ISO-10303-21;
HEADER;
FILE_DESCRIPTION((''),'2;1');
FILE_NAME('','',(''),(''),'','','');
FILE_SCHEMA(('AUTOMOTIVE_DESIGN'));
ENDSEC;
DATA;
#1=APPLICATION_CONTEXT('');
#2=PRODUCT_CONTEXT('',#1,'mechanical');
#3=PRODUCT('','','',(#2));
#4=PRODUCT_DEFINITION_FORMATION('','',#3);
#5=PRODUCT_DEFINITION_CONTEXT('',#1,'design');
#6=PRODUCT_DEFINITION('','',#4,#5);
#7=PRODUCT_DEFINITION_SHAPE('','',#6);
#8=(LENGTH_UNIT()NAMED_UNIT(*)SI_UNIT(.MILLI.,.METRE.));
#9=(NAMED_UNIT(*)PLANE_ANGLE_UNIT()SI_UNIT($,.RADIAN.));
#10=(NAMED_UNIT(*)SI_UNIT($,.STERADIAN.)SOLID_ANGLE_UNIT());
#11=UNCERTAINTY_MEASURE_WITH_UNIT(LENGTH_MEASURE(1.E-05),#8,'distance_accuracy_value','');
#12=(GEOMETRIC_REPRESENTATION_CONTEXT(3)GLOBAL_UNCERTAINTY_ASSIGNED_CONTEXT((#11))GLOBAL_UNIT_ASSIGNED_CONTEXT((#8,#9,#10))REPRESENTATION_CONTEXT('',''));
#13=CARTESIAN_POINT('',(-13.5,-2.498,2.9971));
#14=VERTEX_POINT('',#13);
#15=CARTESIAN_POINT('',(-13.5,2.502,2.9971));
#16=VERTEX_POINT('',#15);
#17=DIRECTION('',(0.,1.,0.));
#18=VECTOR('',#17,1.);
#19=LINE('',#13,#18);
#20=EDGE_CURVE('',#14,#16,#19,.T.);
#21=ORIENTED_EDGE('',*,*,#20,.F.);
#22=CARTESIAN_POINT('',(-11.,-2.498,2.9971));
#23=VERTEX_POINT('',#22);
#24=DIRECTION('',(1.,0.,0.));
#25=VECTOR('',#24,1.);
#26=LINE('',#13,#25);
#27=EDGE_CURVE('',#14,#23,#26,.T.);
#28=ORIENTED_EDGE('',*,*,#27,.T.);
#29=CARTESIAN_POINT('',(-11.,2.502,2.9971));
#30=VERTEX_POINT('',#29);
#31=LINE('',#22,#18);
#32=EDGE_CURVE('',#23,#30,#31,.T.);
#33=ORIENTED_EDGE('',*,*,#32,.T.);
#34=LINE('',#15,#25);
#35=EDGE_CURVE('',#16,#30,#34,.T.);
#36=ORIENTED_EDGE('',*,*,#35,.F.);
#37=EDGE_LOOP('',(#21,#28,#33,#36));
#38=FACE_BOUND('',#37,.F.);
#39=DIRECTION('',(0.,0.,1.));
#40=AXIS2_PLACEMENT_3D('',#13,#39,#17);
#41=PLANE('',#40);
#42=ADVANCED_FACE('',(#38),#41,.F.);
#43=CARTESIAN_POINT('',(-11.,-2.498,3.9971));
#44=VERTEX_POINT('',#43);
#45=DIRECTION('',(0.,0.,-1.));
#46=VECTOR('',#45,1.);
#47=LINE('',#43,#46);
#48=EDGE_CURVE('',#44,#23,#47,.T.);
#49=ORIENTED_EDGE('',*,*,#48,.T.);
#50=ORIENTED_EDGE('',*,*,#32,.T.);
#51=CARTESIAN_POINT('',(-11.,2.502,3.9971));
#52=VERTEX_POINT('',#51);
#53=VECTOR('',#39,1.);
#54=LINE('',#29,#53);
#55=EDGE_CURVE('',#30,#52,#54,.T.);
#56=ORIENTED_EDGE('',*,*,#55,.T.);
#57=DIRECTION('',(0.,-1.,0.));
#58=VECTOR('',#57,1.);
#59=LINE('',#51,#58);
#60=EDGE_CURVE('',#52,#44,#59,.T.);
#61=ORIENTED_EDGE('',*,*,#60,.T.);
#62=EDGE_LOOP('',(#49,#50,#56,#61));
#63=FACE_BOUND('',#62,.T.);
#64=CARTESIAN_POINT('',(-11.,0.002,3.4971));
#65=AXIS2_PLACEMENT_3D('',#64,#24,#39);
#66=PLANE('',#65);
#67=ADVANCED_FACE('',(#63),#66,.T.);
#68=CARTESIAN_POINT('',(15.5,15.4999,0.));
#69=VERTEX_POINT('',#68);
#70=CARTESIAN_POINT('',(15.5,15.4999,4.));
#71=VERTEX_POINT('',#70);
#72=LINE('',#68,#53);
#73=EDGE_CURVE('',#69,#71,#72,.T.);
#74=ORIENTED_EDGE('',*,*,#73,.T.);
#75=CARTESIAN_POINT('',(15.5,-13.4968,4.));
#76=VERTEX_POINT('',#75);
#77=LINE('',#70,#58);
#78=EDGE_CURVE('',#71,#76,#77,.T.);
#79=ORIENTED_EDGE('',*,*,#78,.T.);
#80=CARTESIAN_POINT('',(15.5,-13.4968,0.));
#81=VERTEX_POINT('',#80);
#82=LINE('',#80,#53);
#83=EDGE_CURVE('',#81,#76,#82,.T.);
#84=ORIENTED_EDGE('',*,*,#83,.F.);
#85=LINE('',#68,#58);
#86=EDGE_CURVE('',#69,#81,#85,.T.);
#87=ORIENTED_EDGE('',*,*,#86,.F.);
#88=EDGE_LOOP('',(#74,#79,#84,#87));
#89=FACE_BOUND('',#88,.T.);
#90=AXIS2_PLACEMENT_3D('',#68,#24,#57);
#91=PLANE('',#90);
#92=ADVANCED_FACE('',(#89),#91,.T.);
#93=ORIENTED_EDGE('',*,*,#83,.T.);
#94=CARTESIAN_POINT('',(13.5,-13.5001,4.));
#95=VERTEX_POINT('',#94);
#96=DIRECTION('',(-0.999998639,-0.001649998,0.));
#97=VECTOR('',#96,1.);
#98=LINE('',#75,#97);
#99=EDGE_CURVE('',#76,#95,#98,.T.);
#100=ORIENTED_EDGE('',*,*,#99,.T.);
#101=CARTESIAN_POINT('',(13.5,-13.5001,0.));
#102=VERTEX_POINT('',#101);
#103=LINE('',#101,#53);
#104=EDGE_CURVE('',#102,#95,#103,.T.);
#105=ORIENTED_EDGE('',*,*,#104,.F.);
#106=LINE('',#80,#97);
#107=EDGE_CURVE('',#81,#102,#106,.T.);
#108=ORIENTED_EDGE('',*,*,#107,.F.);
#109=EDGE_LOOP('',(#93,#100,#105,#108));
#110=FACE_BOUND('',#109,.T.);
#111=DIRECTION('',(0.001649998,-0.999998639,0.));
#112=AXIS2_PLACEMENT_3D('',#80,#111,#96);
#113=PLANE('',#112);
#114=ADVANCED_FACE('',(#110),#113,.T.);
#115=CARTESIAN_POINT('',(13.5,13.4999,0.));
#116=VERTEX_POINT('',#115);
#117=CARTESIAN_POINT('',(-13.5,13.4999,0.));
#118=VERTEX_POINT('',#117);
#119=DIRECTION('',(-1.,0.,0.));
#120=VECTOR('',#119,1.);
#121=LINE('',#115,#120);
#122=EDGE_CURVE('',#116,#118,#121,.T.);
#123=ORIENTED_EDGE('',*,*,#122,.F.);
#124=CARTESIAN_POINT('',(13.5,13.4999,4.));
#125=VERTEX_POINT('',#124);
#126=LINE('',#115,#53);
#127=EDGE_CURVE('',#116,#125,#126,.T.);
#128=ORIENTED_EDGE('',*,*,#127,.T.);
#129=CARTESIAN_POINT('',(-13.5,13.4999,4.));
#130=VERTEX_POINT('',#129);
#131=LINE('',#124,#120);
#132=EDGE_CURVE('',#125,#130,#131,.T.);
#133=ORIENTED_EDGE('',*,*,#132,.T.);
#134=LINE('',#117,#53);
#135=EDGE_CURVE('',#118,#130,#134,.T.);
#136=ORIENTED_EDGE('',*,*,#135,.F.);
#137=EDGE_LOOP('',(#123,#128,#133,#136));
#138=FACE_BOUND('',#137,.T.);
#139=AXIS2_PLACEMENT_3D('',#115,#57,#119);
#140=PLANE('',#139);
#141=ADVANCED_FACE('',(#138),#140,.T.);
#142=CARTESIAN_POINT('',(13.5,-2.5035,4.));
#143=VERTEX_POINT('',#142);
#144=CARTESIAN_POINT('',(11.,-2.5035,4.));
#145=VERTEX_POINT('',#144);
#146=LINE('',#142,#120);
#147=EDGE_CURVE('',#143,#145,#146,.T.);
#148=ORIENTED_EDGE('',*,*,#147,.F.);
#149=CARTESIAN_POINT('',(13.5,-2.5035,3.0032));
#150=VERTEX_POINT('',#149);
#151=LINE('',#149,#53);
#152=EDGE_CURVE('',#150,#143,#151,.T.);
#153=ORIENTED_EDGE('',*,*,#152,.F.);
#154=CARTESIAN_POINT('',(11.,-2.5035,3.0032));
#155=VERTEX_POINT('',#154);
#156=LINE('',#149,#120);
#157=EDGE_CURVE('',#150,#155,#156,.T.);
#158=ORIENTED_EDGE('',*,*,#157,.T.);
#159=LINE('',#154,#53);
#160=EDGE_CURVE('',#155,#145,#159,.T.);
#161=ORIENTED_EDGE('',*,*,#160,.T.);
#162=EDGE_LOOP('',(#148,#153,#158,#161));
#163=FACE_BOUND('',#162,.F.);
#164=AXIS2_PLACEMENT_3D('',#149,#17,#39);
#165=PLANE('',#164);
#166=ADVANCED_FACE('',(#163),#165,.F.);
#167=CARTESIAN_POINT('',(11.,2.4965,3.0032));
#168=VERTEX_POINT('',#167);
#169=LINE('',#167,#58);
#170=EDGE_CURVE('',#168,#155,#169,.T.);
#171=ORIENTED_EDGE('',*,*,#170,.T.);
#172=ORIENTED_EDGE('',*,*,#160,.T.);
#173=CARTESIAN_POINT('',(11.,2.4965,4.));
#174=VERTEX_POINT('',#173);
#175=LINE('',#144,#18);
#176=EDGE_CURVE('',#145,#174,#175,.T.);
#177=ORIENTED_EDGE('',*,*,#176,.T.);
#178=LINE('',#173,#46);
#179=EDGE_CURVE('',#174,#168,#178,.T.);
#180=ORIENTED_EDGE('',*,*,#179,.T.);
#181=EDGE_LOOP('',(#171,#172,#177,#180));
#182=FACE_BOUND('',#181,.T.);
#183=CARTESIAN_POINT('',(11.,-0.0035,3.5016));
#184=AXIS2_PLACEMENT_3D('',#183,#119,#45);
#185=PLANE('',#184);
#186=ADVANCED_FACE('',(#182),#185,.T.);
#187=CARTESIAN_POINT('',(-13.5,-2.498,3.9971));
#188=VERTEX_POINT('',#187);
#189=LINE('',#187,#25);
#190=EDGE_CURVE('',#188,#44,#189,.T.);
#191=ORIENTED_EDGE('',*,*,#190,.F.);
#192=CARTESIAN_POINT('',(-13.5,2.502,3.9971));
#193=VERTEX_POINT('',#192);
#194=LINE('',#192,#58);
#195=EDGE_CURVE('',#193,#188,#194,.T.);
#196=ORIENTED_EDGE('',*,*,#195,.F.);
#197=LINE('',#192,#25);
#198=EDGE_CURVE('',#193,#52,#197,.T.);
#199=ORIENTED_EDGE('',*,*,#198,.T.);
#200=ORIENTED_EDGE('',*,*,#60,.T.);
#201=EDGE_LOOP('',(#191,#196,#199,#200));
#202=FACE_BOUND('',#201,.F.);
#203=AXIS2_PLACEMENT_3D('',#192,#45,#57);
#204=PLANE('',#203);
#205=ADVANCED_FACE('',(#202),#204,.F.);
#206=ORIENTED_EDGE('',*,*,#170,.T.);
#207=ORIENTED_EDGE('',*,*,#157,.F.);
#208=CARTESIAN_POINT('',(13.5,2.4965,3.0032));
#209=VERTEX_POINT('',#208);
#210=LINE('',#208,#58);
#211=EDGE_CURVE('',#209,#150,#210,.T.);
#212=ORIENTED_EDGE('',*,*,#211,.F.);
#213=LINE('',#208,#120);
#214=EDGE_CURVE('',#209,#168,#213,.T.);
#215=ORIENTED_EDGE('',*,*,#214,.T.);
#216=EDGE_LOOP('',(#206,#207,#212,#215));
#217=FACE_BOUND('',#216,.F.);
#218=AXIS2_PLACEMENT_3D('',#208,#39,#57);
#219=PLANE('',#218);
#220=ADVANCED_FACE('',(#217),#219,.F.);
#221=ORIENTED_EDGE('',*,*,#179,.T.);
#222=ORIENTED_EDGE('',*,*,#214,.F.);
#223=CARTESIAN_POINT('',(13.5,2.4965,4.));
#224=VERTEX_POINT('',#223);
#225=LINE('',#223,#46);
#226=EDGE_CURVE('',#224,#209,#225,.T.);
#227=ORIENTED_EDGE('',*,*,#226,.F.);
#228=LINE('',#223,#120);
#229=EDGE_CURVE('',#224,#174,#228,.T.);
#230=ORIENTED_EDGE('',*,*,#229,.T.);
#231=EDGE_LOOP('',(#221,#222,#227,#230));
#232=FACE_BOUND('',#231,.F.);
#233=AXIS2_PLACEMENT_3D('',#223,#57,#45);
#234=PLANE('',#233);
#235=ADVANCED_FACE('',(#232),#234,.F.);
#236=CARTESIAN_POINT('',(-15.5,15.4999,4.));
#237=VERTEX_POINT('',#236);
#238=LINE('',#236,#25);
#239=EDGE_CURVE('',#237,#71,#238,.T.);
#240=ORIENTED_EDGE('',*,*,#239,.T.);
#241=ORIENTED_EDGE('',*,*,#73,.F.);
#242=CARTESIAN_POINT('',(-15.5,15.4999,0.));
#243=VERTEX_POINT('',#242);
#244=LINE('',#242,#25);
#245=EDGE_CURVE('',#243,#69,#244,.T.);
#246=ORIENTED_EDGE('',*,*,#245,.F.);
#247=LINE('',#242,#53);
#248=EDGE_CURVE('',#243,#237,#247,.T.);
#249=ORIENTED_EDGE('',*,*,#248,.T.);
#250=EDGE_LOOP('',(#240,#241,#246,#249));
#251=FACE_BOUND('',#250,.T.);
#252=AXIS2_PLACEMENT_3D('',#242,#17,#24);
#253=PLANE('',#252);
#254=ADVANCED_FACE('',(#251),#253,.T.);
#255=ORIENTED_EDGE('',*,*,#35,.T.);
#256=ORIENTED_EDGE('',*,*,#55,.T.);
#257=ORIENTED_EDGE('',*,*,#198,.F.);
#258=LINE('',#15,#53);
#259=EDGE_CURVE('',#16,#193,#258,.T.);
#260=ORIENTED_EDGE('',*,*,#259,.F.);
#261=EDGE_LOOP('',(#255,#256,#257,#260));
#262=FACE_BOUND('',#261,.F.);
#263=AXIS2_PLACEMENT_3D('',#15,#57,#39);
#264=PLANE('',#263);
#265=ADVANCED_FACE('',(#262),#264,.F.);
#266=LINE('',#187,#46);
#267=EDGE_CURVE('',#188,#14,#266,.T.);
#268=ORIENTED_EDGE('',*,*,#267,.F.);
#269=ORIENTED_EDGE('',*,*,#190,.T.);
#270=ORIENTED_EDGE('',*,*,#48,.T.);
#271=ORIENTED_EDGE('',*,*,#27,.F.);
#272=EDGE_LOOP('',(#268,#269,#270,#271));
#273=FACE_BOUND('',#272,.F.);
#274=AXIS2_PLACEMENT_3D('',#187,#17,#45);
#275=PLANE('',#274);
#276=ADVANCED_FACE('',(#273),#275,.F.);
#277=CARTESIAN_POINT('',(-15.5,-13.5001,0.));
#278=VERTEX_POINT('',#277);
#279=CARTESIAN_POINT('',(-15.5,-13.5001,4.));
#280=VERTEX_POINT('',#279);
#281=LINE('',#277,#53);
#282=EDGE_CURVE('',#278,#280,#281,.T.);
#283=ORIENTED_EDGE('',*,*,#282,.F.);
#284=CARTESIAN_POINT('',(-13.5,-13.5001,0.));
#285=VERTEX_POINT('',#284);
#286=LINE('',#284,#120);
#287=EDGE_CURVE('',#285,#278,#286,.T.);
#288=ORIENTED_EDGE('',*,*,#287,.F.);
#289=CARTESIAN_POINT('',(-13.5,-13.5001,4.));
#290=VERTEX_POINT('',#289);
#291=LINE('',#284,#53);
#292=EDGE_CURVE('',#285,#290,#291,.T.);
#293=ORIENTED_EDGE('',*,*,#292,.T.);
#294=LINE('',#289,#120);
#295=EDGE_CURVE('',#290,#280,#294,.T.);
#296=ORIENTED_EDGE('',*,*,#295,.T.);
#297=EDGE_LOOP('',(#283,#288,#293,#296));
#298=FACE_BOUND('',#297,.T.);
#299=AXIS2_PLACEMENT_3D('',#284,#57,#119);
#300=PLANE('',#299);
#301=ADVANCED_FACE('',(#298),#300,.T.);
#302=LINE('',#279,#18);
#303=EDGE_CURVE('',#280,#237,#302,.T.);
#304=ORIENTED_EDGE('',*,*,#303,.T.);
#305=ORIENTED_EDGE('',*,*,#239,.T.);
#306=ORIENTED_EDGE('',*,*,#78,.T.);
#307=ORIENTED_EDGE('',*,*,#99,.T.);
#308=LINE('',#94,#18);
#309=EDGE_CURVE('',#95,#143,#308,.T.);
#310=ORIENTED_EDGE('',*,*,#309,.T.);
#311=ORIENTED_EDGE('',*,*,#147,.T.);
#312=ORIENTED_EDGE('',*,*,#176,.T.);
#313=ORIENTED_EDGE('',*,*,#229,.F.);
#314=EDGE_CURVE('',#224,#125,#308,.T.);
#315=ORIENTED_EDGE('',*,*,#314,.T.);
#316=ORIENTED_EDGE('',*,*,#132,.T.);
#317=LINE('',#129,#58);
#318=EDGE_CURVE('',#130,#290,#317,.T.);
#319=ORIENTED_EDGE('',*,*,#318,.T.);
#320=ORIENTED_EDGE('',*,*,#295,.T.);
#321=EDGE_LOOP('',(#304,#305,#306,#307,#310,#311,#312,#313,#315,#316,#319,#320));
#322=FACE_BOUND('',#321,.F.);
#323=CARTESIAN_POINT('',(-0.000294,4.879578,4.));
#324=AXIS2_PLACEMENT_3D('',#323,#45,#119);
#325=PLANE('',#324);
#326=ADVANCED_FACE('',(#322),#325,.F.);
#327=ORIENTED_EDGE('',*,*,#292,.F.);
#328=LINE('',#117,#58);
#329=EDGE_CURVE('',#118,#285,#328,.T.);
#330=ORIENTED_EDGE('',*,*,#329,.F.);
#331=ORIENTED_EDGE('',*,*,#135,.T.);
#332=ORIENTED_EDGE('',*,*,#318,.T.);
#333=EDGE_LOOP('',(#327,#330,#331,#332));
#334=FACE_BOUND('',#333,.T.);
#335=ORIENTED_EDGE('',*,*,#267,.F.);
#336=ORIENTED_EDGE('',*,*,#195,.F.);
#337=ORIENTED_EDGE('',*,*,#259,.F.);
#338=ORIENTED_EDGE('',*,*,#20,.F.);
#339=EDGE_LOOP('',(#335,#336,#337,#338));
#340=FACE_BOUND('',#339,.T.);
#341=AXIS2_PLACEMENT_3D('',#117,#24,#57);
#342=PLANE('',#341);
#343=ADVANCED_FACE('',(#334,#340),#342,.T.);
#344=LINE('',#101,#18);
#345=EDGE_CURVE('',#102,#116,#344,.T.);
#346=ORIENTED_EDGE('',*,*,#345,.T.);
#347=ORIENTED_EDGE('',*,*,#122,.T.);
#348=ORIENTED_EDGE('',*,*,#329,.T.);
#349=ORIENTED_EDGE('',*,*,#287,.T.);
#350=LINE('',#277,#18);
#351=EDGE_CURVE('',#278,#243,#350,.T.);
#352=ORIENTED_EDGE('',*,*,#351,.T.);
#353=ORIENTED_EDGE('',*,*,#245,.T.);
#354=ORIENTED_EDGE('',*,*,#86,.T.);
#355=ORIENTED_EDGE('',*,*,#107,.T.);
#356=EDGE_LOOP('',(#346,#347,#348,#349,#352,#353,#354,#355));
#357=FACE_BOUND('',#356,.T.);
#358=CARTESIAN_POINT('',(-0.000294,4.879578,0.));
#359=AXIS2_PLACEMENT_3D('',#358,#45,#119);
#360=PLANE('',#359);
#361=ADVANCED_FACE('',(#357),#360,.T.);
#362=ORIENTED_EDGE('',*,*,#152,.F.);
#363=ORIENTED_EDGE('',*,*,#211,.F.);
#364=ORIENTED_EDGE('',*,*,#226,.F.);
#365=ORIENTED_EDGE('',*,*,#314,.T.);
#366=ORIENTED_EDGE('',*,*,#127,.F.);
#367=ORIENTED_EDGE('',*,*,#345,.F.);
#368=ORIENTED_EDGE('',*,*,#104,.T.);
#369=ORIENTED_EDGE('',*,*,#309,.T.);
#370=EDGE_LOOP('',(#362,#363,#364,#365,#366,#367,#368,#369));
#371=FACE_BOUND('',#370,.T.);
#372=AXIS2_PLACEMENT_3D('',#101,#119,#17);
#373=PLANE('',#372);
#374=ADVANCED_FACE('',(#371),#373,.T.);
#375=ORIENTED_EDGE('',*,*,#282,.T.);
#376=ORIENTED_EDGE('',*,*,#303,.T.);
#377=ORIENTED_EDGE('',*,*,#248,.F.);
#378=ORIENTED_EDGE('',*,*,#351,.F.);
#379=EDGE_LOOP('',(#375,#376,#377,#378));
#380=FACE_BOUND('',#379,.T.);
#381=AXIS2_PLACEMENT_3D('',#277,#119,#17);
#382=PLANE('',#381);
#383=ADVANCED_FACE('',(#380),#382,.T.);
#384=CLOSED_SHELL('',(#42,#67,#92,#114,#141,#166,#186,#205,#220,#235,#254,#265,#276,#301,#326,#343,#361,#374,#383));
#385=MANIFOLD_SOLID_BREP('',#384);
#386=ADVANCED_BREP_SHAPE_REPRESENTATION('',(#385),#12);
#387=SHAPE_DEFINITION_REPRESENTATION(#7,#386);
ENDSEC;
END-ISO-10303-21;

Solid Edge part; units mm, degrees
sketch "Sketch1" plane through (0, 0, 0) normal (0, 0, 1) x (1, 0, 0)
  line L0 (15.5, -13.4968) -> (13.5, -13.5001)
  line L1 (13.5, -13.5001) -> (13.5, 13.4999)
  line L2 (13.5, 13.4999) -> (-13.5, 13.4999)
  line L3 (-13.5, 13.4999) -> (-13.5, -13.5001)
  line L4 (-13.5, -13.5001) -> (-15.5, -13.5001)
  line L5 (-15.5, -13.5001) -> (-15.5, 15.4999)
  line L6 (-15.5, 15.4999) -> (15.5, 15.4999)
  line L7 (15.5, 15.4999) -> (15.5, -13.5001)
extrude "Protrusion1" add sketch "Sketch1" along normal blind 4
sketch "Sketch2" plane through (-13.5, -0.0001, 2) normal (1, 0, 0) x (0, 1, 0)
  line L0 (-2.4979, 1.9971) -> (-2.4979, 0.9971)
  line L1 (-2.4979, 0.9971) -> (2.5021, 0.9971)
  line L2 (2.5021, 0.9971) -> (2.5021, 1.9971)
  line L3 (2.5021, 1.9971) -> (-2.4979, 1.9971)
extrude "ExtrudedProtrusion_10" add sketch "Sketch2" along normal blind 2.5
sketch "Sketch3" plane through (13.5, -0.0001, 2) normal (-1, 0, 0) x (0, -1, 0)
  line L0 (2.5034, 2) -> (-2.4966, 2)
  line L1 (-2.4966, 2) -> (-2.4966, 1.0032)
  line L2 (-2.4966, 1.0032) -> (2.5034, 1.0032)
  line L3 (2.5034, 1.0032) -> (2.5034, 2)
extrude "ExtrudedProtrusion_11" add sketch "Sketch3" along normal blind 2.5
